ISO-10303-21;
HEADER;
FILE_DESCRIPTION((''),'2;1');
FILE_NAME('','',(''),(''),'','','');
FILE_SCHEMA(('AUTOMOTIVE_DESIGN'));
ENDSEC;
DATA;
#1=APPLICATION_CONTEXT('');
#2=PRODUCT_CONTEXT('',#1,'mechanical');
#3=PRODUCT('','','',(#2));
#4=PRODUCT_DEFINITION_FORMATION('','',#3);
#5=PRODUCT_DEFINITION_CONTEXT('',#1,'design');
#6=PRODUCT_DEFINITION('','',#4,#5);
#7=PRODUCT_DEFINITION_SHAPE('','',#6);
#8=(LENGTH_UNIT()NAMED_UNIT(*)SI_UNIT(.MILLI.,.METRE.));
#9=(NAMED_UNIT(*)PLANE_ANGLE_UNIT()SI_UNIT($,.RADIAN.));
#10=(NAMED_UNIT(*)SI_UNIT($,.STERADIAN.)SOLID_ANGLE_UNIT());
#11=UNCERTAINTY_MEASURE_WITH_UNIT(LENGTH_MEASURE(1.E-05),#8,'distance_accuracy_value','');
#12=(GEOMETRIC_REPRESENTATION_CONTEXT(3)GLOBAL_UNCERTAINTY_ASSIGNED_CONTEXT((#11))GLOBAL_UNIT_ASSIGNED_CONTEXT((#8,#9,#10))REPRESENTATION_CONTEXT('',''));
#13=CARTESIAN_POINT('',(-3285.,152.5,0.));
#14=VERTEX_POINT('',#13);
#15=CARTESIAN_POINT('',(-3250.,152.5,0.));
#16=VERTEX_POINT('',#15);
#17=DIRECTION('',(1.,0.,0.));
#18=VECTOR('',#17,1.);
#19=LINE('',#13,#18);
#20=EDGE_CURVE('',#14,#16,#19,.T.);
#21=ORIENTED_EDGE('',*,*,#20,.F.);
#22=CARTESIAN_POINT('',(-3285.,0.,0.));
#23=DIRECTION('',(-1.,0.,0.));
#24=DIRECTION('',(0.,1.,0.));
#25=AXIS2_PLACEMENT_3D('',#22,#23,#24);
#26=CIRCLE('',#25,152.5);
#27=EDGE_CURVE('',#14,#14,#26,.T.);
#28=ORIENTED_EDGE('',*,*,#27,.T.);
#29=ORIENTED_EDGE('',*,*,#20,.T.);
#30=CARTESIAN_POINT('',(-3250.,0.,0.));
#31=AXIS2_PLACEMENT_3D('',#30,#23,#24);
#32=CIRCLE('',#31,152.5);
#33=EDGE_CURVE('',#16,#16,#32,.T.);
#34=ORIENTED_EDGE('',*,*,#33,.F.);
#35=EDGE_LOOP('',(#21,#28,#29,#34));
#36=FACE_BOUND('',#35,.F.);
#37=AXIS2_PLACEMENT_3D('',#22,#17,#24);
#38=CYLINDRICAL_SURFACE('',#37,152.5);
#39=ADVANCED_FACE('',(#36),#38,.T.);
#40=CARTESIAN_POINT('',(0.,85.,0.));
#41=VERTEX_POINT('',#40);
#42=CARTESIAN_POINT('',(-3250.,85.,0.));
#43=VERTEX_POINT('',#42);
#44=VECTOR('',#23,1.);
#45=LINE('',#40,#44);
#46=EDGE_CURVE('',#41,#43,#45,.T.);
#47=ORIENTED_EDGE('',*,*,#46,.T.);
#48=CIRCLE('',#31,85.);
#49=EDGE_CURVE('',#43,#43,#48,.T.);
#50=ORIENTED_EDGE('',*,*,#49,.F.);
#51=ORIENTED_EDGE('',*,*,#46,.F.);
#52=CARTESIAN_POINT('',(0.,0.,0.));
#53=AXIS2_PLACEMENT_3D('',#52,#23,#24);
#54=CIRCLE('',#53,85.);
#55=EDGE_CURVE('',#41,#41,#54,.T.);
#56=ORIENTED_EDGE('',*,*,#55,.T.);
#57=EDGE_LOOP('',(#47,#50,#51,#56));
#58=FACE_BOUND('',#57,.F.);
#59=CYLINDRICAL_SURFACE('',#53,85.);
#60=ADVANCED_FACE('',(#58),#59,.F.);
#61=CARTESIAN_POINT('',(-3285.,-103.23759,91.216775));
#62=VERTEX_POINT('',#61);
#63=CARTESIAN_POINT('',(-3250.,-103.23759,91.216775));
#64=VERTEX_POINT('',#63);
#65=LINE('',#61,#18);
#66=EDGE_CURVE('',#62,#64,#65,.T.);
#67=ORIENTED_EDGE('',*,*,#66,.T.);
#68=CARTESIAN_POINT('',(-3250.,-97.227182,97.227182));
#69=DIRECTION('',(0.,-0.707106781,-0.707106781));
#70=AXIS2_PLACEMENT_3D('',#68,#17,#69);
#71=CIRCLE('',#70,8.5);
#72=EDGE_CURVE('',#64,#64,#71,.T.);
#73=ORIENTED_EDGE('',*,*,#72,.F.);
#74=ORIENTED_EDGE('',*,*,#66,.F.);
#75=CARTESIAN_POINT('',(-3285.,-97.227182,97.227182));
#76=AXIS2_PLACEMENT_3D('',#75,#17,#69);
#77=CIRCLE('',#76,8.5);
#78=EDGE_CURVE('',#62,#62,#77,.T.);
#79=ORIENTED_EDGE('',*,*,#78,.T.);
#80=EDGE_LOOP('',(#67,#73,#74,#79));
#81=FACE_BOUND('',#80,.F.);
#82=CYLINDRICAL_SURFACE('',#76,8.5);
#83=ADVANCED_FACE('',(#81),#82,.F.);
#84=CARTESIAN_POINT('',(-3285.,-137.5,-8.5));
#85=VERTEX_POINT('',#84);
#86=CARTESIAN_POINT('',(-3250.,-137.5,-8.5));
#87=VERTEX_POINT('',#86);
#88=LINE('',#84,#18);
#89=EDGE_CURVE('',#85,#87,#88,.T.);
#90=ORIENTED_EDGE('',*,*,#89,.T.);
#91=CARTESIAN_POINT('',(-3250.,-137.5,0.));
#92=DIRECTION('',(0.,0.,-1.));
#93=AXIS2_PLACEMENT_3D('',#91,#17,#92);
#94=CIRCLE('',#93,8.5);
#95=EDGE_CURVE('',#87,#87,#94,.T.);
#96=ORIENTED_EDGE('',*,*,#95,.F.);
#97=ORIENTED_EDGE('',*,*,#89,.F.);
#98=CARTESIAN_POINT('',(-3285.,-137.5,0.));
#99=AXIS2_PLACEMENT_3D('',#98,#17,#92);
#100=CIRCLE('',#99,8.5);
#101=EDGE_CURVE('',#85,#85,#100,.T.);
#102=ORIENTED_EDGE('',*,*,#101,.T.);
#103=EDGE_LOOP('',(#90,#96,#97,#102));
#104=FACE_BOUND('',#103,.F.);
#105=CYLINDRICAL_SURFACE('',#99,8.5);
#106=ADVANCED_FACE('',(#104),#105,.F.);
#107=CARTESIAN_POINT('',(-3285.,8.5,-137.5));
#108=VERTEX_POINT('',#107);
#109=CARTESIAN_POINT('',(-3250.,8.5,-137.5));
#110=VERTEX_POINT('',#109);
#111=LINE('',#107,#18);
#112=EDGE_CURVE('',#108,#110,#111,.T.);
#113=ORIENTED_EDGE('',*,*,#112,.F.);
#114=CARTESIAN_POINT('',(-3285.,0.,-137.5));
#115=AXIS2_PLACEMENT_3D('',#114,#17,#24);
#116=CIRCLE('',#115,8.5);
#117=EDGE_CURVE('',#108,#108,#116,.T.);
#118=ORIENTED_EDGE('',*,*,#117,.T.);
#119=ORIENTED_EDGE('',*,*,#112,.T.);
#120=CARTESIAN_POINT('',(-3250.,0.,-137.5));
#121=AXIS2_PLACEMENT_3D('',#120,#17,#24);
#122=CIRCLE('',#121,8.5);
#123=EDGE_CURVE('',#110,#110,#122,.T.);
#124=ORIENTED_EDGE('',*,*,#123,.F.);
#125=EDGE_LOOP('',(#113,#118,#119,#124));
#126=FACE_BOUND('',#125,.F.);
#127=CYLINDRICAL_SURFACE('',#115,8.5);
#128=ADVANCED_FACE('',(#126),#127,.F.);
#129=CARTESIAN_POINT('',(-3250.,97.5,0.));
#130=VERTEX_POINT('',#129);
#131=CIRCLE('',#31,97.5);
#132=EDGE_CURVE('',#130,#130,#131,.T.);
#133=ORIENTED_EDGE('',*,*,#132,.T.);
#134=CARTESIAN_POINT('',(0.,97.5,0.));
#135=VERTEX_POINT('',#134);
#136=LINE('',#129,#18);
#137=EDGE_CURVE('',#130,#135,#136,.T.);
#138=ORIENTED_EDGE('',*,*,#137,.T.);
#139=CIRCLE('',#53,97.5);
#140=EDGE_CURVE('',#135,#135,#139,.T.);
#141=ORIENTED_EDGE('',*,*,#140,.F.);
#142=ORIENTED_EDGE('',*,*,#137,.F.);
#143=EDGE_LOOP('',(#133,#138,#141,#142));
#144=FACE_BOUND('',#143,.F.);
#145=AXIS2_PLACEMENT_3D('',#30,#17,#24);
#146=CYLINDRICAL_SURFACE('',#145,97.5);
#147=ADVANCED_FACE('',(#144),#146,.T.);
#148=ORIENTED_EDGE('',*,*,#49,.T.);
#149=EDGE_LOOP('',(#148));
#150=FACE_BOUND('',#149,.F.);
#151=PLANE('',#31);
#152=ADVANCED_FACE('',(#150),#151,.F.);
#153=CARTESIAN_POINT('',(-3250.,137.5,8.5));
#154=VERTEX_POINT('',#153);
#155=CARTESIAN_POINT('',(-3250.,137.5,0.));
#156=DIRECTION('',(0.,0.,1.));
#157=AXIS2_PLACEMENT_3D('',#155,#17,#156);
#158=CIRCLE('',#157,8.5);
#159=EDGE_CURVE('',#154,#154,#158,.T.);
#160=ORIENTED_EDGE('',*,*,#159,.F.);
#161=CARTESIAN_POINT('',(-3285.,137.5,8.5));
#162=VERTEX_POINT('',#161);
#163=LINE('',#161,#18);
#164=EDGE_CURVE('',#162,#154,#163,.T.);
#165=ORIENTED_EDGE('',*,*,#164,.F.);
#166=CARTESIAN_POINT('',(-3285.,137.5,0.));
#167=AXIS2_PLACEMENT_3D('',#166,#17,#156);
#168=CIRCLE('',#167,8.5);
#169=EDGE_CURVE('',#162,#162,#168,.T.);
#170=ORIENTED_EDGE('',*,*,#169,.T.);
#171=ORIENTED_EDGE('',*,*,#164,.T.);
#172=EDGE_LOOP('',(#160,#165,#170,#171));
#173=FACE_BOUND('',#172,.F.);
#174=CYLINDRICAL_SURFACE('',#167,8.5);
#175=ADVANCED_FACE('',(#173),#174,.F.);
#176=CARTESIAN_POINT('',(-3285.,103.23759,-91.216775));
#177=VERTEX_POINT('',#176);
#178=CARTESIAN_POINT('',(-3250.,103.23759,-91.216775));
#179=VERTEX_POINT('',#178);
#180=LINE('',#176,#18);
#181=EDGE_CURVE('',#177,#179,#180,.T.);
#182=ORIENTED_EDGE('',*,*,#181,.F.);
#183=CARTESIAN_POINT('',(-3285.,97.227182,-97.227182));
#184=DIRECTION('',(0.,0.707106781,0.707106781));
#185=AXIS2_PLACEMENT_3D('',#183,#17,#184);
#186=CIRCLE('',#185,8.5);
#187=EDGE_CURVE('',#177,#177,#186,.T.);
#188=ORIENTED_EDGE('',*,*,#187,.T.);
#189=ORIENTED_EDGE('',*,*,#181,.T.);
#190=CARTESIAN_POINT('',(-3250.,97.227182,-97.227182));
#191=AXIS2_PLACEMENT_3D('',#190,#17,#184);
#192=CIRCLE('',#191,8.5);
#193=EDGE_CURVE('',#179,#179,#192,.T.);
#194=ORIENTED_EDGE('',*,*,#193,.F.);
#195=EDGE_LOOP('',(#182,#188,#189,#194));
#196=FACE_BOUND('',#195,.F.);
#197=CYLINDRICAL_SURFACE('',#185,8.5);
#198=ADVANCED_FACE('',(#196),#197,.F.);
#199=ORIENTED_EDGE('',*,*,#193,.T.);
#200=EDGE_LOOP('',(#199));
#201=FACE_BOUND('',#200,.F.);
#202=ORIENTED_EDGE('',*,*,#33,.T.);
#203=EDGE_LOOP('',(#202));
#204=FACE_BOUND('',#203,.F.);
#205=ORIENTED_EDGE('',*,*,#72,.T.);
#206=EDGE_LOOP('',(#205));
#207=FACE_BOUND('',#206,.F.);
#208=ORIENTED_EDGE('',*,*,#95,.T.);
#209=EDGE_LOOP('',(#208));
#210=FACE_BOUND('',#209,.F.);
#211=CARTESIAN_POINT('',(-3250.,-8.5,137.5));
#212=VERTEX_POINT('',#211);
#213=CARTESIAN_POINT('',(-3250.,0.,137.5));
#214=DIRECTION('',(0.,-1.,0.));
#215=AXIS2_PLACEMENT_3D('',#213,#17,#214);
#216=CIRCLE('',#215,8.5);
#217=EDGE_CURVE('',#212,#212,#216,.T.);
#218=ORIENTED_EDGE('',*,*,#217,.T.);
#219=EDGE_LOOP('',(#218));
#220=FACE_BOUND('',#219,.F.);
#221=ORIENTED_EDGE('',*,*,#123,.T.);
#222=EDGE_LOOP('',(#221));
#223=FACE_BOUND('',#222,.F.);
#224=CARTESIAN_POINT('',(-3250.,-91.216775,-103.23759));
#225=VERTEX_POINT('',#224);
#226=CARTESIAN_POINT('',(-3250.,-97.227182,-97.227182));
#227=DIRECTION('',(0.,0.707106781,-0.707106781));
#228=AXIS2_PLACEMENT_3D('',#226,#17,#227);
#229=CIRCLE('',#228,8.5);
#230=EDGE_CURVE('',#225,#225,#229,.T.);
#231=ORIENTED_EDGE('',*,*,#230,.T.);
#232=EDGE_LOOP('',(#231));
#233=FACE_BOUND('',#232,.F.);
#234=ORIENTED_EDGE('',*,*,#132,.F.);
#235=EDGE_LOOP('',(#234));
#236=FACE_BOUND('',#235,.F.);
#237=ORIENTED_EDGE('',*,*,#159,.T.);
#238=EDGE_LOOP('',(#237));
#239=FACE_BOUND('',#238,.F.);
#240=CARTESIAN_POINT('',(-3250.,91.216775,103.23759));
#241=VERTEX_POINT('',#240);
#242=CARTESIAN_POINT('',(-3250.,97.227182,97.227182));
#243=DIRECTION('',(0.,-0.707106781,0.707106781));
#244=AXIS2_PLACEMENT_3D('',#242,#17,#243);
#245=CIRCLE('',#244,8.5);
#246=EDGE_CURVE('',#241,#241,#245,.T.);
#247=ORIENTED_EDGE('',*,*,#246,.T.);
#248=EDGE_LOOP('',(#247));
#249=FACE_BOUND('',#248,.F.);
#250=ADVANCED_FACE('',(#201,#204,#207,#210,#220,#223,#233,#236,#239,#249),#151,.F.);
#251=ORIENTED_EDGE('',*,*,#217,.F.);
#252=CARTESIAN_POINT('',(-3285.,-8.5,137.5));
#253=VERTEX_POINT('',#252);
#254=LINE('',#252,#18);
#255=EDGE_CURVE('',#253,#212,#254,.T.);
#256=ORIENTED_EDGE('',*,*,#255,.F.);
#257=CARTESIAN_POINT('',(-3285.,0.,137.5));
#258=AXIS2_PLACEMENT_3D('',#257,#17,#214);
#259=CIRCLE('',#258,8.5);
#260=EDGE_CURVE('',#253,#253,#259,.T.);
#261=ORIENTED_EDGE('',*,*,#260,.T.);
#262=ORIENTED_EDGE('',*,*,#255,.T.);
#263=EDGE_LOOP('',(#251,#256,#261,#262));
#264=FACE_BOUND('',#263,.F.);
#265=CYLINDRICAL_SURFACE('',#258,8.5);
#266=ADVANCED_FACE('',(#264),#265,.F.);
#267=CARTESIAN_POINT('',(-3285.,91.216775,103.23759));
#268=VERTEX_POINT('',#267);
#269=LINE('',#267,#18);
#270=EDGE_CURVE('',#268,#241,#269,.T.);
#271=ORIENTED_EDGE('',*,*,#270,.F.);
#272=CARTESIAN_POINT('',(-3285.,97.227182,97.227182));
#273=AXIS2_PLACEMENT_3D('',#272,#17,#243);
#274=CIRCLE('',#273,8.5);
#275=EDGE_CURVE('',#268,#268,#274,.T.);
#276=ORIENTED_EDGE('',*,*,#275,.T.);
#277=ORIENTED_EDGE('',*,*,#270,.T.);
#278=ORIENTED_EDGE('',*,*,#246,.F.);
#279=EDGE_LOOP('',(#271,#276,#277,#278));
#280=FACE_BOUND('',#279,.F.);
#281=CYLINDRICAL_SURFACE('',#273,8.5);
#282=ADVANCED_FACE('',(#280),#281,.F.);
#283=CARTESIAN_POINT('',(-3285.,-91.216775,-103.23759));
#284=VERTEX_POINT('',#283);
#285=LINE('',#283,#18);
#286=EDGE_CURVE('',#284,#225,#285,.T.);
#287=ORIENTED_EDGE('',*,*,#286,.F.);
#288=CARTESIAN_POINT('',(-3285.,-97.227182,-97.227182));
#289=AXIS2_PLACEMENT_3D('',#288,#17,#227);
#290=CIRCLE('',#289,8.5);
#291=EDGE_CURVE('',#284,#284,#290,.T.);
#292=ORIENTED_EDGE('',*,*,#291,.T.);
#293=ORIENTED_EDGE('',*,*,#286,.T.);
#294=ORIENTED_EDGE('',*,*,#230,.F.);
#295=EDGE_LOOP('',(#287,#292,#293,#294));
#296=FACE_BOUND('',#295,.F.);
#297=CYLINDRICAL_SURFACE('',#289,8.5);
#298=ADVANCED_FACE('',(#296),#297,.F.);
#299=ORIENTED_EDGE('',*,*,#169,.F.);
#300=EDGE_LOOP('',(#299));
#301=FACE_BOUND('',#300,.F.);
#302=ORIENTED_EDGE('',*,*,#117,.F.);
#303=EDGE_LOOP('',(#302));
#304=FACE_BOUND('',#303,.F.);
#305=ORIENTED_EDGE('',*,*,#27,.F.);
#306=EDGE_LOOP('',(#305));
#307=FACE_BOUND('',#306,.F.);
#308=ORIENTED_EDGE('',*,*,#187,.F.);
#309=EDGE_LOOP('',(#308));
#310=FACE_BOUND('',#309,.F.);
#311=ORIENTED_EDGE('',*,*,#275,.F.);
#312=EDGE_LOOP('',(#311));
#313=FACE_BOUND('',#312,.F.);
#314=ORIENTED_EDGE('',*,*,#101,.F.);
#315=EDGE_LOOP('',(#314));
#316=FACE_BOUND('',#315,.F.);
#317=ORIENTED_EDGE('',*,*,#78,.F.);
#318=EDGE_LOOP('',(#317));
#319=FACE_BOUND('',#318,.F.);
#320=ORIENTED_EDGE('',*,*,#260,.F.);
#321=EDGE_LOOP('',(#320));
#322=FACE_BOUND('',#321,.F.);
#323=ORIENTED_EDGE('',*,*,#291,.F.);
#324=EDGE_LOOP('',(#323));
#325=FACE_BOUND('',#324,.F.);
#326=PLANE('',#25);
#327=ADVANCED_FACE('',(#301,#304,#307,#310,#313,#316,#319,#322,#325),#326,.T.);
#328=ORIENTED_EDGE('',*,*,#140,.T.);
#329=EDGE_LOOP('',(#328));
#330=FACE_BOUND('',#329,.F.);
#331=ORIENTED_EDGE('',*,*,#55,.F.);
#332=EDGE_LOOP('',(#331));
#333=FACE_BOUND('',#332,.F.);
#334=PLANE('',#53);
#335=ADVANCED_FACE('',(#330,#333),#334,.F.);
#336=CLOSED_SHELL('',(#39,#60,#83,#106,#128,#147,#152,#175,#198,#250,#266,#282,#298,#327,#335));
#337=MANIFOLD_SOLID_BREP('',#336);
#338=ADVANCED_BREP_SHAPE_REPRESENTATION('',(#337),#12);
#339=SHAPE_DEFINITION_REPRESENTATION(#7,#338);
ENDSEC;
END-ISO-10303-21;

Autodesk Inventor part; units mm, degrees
ref_plane "YZ Plane" through (0, 0, 0) normal (1, 0, 0) x (0, 1, 0)
ref_plane "XZ Plane" through (0, 0, 0) normal (0, 1, 0) x (-1, 0, 0)
ref_plane "XY Plane" through (0, 0, 0) normal (0, 0, 1) x (1, 0, 0)
sketch "Эскиз1" plane through (0, 0, 0) normal (0, 0, 1) x (1, 0, 0)
  line L0 (0, 0) -> (-3428.5795, 0)
  line L1 (-3285, 0) -> (-3285, 152.5)
  line L2 (-3285, 152.5) -> (-3250, 152.5)
  line L3 (-3250, 152.5) -> (-3250, 97.5)
  line L4 (-3250, 97.5) -> (0, 97.5)
  line L5 (0, 97.5) -> (0, 0)
  line L6 (0, 85) -> (-3250, 85)
  line L7 (-3250, 85) -> (-3250, 0)
  dimension "d0" = 3285
  dimension "d1" = 305
  dimension "d2" = 35
  dimension "d3" = 170
  dimension "d4" = 195
revolve "Вращение1" add sketch "Эскиз1" angle 360 about axis through (0, 0, 0) along (-1, 0, 0) contours L0 L1 L2 L3 L4 L5 L6 L7
sketch "Эскиз2" plane through (-3285, 0, 0) normal (-1, 0, 0) x (0, 0, 1)
  circle A0 centre (0, 0) radius 137.5 construction
  point P0 (0, 137.5)
  dimension "d6" = 275
hole "Отверстие1" at (-3285, 137.5, 0) direction (1, 0, 0) diameter 17 end through all
pattern_circular "Круговой массив1" count 8 over 360 about axis through (-3267.5, 0, 0) along (1, 0, 0) of "Отверстие1"
properties part number "Lift.02.00.00.01" material "Сталь нержавеющая, 440C"
